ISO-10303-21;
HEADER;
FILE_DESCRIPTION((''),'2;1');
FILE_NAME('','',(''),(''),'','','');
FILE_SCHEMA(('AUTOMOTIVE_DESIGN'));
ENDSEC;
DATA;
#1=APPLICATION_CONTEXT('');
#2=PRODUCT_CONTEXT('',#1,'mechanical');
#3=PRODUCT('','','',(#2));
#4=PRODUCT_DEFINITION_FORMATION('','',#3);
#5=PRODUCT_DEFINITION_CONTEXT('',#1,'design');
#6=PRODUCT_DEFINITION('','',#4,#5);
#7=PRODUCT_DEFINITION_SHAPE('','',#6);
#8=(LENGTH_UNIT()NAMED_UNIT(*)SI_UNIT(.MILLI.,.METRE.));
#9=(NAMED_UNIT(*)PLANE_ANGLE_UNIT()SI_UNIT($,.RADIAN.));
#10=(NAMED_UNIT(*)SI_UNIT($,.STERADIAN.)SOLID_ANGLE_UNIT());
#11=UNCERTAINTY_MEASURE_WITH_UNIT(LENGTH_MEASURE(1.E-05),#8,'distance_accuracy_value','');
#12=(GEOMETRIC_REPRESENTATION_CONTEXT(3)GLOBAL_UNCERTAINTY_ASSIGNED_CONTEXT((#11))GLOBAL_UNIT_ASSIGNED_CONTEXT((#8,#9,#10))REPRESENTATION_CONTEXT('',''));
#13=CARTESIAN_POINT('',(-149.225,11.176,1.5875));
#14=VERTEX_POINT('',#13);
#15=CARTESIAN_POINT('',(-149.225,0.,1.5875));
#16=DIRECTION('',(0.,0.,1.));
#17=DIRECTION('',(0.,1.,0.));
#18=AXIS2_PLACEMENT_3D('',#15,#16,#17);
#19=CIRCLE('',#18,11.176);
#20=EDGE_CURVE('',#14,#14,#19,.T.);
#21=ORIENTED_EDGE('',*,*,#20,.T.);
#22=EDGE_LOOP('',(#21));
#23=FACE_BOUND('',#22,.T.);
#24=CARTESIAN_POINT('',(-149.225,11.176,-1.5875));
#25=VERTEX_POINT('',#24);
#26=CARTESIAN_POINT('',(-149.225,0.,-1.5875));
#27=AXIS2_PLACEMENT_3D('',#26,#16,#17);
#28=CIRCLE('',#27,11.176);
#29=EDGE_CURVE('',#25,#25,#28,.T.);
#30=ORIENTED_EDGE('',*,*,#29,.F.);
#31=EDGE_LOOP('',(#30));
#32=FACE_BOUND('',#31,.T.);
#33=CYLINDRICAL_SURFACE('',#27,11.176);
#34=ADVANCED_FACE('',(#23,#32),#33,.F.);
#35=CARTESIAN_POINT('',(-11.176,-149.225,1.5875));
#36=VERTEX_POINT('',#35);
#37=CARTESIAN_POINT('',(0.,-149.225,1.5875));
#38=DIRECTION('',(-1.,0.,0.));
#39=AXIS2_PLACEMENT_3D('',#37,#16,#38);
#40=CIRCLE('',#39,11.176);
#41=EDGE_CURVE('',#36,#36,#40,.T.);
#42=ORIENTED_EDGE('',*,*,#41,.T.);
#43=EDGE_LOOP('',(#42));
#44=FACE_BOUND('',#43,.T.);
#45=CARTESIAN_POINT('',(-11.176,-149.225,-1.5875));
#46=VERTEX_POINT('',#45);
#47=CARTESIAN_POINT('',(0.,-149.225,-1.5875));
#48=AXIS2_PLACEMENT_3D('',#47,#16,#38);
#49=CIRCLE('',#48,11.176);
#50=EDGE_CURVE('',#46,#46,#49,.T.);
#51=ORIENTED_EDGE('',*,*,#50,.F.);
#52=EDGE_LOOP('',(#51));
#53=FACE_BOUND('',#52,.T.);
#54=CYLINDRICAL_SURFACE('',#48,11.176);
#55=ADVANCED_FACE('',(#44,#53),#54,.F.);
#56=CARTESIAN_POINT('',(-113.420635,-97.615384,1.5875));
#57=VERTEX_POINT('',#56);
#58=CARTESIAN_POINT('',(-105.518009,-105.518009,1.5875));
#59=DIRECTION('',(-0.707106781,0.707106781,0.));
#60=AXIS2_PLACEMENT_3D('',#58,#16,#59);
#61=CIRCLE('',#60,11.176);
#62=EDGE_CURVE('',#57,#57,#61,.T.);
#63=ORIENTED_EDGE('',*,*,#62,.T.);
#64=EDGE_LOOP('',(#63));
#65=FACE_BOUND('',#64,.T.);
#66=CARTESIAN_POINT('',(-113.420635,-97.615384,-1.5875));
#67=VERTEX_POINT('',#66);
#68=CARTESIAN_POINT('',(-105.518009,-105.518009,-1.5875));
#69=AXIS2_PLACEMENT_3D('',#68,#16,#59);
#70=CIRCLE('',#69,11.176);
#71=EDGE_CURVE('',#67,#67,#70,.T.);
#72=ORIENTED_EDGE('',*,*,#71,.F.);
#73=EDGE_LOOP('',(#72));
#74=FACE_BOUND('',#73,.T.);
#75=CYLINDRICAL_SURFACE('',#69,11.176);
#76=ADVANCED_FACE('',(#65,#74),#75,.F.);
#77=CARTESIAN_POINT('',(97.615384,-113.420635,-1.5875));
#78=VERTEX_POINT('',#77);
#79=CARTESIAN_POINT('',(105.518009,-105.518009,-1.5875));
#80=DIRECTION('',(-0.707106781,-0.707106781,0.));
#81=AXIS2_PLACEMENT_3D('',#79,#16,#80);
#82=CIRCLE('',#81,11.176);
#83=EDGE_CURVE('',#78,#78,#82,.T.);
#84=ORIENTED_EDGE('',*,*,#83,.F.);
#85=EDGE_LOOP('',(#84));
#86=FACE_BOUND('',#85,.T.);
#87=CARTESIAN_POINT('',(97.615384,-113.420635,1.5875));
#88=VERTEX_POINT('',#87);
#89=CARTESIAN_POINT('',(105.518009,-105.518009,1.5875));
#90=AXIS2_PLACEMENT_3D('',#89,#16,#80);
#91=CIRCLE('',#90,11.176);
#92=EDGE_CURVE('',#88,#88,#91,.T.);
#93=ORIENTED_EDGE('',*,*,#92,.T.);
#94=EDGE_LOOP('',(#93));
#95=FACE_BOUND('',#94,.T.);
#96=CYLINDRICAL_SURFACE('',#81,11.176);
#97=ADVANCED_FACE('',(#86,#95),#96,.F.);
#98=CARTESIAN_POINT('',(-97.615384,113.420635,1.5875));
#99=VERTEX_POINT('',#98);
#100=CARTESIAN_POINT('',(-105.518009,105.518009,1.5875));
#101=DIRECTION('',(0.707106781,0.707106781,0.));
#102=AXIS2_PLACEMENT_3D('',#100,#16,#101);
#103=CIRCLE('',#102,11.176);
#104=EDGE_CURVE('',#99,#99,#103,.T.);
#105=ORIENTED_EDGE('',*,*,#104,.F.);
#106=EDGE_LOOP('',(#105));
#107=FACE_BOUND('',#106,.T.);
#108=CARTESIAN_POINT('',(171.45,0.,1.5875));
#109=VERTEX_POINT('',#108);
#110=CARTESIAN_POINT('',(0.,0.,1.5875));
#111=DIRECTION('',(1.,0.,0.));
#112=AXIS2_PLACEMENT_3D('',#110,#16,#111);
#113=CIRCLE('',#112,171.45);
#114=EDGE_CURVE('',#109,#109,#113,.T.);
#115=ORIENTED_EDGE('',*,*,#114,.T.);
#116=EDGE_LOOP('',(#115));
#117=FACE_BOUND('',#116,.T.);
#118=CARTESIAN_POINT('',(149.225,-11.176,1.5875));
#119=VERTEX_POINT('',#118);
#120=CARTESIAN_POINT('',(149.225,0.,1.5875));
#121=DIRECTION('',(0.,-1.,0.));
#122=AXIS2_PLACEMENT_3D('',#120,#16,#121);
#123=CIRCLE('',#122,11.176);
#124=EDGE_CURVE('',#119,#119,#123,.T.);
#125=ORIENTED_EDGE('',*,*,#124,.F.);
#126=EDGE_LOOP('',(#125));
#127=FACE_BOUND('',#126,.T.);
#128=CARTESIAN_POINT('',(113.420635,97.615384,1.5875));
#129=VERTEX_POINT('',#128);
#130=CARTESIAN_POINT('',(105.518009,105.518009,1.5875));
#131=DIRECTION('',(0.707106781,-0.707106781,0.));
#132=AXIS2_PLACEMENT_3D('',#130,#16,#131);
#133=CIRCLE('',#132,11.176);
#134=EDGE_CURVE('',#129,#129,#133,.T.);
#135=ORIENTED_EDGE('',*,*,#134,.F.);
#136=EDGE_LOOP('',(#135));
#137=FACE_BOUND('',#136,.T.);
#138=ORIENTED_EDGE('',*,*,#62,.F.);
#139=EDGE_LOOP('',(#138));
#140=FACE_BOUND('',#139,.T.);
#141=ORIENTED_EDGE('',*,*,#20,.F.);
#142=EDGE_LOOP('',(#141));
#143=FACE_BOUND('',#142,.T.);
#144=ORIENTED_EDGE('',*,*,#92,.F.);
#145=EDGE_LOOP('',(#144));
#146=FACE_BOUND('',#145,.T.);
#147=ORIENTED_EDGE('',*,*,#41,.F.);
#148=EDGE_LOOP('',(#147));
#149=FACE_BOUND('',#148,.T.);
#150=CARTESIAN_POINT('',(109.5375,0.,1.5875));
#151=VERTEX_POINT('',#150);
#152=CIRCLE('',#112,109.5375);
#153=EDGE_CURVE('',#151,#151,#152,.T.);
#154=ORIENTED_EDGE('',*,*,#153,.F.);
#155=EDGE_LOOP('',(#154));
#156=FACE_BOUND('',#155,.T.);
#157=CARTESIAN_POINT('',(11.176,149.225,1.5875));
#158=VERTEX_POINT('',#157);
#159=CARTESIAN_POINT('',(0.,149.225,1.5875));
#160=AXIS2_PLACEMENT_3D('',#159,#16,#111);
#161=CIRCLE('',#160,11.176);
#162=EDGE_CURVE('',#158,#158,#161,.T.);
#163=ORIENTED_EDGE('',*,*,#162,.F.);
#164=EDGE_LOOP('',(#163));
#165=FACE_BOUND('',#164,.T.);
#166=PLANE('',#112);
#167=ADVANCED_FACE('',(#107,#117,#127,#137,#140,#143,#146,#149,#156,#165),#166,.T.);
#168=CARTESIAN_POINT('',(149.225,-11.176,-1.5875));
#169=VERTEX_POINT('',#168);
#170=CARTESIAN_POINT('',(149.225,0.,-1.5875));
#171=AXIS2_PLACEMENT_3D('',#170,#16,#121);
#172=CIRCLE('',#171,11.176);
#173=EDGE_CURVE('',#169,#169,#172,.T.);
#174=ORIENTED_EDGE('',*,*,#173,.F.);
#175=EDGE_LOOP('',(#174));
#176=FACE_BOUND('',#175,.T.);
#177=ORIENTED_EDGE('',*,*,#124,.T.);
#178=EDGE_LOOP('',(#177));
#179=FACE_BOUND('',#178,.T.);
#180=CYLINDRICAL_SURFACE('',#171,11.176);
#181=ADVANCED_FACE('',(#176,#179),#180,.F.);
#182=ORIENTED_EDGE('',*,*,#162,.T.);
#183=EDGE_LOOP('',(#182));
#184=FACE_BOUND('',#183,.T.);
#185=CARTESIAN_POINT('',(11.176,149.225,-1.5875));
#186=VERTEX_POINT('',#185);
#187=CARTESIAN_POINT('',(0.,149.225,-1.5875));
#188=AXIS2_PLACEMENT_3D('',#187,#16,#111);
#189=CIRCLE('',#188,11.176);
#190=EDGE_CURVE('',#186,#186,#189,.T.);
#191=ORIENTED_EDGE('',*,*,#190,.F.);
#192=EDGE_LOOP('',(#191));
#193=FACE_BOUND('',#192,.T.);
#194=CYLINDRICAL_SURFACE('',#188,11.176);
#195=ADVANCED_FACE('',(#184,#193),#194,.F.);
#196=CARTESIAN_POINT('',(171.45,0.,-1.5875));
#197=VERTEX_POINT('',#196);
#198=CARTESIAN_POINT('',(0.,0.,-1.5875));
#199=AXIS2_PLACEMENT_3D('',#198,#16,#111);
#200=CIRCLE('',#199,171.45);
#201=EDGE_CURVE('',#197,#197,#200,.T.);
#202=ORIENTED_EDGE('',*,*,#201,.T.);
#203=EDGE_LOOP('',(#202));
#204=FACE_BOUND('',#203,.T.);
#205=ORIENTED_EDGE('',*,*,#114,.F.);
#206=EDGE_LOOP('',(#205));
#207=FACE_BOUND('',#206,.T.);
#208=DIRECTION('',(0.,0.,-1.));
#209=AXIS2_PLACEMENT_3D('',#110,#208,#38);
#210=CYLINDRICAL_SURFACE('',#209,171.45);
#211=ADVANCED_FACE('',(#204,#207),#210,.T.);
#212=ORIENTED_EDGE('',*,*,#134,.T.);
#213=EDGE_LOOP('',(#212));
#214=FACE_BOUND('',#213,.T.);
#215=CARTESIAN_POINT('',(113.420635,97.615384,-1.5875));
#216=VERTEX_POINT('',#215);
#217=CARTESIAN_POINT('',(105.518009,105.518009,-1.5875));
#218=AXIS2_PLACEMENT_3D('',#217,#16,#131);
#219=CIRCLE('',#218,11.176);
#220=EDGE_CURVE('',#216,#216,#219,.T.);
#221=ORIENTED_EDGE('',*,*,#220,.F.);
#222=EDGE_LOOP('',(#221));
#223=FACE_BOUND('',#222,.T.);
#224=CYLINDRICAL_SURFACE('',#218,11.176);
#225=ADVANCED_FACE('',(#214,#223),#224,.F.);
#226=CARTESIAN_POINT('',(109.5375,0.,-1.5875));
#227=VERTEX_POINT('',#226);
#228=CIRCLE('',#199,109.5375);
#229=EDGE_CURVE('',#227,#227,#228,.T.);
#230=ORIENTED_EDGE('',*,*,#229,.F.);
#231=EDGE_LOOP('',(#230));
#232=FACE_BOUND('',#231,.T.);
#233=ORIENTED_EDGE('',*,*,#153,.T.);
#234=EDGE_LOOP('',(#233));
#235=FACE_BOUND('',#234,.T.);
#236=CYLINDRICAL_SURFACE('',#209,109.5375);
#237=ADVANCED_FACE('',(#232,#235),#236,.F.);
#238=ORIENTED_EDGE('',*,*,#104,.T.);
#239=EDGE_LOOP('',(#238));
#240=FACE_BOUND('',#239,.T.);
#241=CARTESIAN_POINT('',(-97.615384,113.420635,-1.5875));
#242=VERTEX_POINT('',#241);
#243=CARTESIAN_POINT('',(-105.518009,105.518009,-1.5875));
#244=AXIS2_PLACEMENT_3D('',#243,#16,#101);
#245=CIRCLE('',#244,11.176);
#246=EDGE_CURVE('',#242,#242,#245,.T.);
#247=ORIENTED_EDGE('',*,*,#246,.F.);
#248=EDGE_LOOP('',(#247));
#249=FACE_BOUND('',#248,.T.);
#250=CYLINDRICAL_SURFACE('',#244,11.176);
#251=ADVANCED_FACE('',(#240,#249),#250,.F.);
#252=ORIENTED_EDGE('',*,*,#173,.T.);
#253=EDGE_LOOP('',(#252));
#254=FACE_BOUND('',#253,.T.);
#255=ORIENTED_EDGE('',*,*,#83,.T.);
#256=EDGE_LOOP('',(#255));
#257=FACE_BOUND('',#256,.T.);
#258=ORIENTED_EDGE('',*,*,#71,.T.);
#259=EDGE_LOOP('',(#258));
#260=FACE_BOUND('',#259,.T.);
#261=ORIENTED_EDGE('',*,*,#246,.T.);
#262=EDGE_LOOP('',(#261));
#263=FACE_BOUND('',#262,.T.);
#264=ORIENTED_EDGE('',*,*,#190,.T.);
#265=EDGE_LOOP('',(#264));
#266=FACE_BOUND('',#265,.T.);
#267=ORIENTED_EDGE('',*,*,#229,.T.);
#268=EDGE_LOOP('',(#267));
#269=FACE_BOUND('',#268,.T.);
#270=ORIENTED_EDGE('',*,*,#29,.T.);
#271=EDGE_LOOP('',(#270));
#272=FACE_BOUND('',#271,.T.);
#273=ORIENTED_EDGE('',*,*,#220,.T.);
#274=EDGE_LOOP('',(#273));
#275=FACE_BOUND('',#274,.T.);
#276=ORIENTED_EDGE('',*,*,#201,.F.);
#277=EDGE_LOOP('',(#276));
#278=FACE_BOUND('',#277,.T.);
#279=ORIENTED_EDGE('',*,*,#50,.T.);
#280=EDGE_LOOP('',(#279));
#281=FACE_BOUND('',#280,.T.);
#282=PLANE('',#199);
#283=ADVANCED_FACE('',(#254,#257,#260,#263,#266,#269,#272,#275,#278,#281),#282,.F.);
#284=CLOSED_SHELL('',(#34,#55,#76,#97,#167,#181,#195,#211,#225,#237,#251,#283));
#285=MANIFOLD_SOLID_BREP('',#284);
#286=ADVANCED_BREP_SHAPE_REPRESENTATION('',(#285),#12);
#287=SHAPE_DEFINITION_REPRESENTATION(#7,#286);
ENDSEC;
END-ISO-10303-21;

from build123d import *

# Parameters (mm, degrees)
SKETCH1_R           = 171.45
SKETCH1_R_2         = 109.5375
BOSS_EXTRUDE1_DEPTH = 1.5875
SKETCH2_R           = 11.176
CUT_EXTRUDE1_DEPTH  = 243.472112121
CIRPATTERN1_COUNT   = 8


with BuildPart() as part:
    # Sketch1 → Boss-Extrude1 (new, symmetric)
    with BuildSketch(Plane.XY):
        Circle(SKETCH1_R)
        Circle(SKETCH1_R_2, mode=Mode.SUBTRACT)
    extrude(amount=BOSS_EXTRUDE1_DEPTH, both=True)

    # Sketch2 → Cut-Extrude1 (cut, symmetric)
    with BuildSketch(Plane.XY):
        with Locations((0, 149.225)):
            Circle(SKETCH2_R)
    cut_extrude1 = extrude(amount=CUT_EXTRUDE1_DEPTH, both=True, mode=Mode.SUBTRACT)

    # CirPattern1: Cut-Extrude1 ×8 about axis
    cirpattern1_axis = Axis((0, 0, 0), (0, 0, 1))
    for i in range(1, CIRPATTERN1_COUNT):
        add(cut_extrude1.rotate(cirpattern1_axis, i * 360 / CIRPATTERN1_COUNT), mode=Mode.SUBTRACT)


solid = part.part
